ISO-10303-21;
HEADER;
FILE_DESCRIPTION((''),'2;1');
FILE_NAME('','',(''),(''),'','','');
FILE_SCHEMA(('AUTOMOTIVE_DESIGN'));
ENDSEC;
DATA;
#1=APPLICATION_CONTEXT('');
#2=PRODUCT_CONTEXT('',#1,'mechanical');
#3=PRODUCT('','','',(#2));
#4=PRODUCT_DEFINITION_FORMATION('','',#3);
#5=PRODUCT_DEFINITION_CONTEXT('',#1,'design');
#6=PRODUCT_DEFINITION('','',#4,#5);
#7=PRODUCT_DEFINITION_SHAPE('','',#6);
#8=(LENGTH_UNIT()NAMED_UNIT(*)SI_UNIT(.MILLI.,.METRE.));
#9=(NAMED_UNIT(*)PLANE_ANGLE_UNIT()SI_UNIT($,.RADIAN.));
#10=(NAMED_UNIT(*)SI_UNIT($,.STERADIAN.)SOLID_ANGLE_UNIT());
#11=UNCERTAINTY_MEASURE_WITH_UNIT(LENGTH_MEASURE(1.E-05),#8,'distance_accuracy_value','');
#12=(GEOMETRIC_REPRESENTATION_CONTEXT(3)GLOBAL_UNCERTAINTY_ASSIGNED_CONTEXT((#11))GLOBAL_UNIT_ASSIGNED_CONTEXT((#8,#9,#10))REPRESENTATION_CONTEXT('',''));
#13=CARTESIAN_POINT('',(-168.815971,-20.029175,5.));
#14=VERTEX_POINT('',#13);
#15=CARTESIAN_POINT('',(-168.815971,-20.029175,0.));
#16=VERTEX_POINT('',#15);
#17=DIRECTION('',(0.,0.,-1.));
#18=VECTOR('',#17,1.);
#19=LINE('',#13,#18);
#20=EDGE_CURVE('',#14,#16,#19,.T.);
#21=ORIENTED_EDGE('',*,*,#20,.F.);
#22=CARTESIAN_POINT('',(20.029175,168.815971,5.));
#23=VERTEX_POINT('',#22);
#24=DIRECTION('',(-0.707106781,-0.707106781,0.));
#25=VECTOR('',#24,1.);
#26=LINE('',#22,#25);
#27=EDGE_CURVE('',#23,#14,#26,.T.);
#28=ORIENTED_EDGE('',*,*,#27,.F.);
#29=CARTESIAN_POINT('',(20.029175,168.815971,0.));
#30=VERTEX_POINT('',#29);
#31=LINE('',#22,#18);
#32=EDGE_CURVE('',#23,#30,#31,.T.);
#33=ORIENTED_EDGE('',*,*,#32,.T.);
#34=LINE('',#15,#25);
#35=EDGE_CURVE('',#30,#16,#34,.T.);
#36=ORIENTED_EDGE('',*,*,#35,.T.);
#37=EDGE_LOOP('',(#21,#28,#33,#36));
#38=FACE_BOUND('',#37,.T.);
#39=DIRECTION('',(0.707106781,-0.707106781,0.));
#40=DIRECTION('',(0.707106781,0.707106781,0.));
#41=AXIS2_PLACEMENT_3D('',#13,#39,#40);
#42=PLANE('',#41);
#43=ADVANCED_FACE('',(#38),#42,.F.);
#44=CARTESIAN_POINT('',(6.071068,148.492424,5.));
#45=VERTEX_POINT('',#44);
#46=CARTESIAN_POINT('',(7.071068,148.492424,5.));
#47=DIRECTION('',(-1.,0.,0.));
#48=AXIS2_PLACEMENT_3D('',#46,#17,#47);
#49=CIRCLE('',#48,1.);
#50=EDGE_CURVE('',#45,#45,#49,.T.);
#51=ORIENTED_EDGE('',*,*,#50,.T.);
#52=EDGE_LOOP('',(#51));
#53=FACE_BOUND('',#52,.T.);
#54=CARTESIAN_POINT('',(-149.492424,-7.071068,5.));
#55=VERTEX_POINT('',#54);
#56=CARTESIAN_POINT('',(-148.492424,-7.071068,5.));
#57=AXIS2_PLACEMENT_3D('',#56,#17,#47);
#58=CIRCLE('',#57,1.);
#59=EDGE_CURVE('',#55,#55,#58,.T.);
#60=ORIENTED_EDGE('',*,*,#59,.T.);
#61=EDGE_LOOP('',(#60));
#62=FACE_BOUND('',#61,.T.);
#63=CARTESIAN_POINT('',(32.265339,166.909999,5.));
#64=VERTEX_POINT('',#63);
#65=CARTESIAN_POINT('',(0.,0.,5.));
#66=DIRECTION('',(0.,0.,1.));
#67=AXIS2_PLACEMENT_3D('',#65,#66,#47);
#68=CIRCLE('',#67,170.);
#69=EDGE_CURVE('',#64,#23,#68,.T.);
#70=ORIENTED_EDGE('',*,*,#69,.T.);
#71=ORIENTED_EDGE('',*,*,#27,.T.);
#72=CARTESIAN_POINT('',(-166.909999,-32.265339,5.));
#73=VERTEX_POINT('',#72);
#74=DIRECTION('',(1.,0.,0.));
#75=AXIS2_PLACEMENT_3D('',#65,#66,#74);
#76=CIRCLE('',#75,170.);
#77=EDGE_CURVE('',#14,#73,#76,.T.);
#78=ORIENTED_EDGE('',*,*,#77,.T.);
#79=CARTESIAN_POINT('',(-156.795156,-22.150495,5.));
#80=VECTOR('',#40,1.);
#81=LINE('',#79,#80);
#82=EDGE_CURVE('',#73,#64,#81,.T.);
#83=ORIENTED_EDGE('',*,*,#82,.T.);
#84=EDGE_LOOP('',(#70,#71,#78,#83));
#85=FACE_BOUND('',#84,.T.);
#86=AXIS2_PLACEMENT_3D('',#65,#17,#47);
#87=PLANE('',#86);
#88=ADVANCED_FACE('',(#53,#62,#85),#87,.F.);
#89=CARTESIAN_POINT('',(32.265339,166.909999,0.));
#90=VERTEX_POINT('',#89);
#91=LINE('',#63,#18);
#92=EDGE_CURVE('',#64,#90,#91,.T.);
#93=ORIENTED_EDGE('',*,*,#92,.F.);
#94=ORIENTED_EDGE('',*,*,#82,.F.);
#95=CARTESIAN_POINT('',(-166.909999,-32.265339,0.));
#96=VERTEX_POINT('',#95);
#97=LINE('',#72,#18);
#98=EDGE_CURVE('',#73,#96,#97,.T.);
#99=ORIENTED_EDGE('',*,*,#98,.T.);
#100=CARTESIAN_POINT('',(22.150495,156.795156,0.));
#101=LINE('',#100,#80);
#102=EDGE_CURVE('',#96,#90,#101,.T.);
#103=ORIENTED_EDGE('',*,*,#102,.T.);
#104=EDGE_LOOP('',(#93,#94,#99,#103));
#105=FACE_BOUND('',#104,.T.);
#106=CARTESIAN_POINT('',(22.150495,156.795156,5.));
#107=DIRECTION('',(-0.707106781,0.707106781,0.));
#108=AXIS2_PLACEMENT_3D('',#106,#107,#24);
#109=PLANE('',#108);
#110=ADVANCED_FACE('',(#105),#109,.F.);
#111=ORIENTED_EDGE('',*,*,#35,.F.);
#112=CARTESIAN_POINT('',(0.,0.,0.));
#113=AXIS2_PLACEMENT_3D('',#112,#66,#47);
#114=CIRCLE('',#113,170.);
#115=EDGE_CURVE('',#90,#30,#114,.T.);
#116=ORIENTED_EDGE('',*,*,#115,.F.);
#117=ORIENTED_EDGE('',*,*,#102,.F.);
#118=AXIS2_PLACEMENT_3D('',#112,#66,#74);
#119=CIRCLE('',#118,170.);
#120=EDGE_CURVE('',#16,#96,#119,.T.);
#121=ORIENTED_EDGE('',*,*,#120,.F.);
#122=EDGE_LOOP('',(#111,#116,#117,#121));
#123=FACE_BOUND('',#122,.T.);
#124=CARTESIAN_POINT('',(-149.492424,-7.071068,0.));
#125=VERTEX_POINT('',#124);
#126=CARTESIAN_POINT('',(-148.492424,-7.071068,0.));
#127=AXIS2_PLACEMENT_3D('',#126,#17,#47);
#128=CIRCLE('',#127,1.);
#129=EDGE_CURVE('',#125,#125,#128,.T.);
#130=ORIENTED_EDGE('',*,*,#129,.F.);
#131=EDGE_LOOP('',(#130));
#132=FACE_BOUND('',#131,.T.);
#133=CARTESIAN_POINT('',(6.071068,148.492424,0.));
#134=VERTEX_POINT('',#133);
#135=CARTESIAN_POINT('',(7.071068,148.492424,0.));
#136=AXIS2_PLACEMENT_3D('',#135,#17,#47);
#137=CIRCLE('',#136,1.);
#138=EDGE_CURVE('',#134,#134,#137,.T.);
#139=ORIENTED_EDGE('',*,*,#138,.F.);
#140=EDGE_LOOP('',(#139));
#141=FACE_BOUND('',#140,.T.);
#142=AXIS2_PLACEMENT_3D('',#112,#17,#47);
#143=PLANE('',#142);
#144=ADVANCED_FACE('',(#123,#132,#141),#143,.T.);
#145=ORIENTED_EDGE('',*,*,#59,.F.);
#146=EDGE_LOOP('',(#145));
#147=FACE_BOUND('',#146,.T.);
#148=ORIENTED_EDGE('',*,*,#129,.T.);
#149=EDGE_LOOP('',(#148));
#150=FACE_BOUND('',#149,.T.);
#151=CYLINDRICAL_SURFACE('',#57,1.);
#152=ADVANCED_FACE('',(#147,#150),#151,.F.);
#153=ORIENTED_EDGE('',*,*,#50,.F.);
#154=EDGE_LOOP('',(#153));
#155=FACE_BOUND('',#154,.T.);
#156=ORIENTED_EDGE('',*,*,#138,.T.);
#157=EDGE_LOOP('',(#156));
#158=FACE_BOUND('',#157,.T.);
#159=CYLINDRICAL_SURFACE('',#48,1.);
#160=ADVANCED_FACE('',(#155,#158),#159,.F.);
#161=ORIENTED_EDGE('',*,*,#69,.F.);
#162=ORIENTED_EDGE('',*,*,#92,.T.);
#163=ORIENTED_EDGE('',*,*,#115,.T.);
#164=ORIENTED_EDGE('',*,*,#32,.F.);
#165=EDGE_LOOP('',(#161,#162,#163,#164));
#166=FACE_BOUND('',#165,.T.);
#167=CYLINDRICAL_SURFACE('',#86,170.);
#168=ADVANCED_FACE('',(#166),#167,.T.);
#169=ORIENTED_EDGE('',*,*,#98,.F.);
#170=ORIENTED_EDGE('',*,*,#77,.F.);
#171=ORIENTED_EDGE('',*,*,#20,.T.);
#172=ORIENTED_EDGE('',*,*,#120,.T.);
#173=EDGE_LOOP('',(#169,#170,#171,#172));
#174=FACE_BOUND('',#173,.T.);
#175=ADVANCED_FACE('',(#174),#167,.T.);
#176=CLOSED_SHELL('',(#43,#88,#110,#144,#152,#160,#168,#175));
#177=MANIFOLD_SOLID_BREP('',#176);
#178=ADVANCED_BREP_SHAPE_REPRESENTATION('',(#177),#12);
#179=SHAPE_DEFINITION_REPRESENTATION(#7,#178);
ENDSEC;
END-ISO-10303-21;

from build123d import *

# Parameters (mm, degrees)
BOSS_EXTRU_1_DEPTH      = 5
ESQUISSE5_R             = 1
ENL_V_MAT_EXTRU_1_DEPTH = 6


with BuildPart() as part:
    # Esquisse4 → Boss.-Extru.1 (new body)
    with BuildSketch(Plane.XY):
        with BuildLine():
            Line((20.029174718, 168.815971283), (15.07942725, 163.866223814))
            Line((15.07942725, 163.866223814), (-163.866223814, -15.07942725))
            Line((-163.866223814, -15.07942725), (-168.815971283, -20.029174718))
            ThreePointArc((-168.815971283, -20.029174718), (-167.974440879, -26.164617549), (-166.909999486, -32.265338546))
            Line((-166.909999486, -32.265338546), (-156.795156002, -22.150495062))
            Line((-156.795156002, -22.150495062), (22.150495062, 156.795156002))
            Line((22.150495062, 156.795156002), (32.265338546, 166.909999486))
            ThreePointArc((32.265338546, 166.909999486), (26.164617549, 167.974440879), (20.029174718, 168.815971283))
        make_face()
    extrude(amount=BOSS_EXTRU_1_DEPTH)

    # Esquisse5 → Enlèv. mat.-Extru.1 (cut, through all)
    with BuildSketch(Plane(origin=(0, 0, 0), x_dir=(-1, 0, 0), z_dir=(0, 0, -1))):
        with Locations((148.492424049, -7.071067812)):
            Circle(ESQUISSE5_R)
        with Locations((-7.071067812, 148.492424049)):
            Circle(ESQUISSE5_R)
    extrude(amount=-ENL_V_MAT_EXTRU_1_DEPTH, mode=Mode.SUBTRACT)


solid = part.part
